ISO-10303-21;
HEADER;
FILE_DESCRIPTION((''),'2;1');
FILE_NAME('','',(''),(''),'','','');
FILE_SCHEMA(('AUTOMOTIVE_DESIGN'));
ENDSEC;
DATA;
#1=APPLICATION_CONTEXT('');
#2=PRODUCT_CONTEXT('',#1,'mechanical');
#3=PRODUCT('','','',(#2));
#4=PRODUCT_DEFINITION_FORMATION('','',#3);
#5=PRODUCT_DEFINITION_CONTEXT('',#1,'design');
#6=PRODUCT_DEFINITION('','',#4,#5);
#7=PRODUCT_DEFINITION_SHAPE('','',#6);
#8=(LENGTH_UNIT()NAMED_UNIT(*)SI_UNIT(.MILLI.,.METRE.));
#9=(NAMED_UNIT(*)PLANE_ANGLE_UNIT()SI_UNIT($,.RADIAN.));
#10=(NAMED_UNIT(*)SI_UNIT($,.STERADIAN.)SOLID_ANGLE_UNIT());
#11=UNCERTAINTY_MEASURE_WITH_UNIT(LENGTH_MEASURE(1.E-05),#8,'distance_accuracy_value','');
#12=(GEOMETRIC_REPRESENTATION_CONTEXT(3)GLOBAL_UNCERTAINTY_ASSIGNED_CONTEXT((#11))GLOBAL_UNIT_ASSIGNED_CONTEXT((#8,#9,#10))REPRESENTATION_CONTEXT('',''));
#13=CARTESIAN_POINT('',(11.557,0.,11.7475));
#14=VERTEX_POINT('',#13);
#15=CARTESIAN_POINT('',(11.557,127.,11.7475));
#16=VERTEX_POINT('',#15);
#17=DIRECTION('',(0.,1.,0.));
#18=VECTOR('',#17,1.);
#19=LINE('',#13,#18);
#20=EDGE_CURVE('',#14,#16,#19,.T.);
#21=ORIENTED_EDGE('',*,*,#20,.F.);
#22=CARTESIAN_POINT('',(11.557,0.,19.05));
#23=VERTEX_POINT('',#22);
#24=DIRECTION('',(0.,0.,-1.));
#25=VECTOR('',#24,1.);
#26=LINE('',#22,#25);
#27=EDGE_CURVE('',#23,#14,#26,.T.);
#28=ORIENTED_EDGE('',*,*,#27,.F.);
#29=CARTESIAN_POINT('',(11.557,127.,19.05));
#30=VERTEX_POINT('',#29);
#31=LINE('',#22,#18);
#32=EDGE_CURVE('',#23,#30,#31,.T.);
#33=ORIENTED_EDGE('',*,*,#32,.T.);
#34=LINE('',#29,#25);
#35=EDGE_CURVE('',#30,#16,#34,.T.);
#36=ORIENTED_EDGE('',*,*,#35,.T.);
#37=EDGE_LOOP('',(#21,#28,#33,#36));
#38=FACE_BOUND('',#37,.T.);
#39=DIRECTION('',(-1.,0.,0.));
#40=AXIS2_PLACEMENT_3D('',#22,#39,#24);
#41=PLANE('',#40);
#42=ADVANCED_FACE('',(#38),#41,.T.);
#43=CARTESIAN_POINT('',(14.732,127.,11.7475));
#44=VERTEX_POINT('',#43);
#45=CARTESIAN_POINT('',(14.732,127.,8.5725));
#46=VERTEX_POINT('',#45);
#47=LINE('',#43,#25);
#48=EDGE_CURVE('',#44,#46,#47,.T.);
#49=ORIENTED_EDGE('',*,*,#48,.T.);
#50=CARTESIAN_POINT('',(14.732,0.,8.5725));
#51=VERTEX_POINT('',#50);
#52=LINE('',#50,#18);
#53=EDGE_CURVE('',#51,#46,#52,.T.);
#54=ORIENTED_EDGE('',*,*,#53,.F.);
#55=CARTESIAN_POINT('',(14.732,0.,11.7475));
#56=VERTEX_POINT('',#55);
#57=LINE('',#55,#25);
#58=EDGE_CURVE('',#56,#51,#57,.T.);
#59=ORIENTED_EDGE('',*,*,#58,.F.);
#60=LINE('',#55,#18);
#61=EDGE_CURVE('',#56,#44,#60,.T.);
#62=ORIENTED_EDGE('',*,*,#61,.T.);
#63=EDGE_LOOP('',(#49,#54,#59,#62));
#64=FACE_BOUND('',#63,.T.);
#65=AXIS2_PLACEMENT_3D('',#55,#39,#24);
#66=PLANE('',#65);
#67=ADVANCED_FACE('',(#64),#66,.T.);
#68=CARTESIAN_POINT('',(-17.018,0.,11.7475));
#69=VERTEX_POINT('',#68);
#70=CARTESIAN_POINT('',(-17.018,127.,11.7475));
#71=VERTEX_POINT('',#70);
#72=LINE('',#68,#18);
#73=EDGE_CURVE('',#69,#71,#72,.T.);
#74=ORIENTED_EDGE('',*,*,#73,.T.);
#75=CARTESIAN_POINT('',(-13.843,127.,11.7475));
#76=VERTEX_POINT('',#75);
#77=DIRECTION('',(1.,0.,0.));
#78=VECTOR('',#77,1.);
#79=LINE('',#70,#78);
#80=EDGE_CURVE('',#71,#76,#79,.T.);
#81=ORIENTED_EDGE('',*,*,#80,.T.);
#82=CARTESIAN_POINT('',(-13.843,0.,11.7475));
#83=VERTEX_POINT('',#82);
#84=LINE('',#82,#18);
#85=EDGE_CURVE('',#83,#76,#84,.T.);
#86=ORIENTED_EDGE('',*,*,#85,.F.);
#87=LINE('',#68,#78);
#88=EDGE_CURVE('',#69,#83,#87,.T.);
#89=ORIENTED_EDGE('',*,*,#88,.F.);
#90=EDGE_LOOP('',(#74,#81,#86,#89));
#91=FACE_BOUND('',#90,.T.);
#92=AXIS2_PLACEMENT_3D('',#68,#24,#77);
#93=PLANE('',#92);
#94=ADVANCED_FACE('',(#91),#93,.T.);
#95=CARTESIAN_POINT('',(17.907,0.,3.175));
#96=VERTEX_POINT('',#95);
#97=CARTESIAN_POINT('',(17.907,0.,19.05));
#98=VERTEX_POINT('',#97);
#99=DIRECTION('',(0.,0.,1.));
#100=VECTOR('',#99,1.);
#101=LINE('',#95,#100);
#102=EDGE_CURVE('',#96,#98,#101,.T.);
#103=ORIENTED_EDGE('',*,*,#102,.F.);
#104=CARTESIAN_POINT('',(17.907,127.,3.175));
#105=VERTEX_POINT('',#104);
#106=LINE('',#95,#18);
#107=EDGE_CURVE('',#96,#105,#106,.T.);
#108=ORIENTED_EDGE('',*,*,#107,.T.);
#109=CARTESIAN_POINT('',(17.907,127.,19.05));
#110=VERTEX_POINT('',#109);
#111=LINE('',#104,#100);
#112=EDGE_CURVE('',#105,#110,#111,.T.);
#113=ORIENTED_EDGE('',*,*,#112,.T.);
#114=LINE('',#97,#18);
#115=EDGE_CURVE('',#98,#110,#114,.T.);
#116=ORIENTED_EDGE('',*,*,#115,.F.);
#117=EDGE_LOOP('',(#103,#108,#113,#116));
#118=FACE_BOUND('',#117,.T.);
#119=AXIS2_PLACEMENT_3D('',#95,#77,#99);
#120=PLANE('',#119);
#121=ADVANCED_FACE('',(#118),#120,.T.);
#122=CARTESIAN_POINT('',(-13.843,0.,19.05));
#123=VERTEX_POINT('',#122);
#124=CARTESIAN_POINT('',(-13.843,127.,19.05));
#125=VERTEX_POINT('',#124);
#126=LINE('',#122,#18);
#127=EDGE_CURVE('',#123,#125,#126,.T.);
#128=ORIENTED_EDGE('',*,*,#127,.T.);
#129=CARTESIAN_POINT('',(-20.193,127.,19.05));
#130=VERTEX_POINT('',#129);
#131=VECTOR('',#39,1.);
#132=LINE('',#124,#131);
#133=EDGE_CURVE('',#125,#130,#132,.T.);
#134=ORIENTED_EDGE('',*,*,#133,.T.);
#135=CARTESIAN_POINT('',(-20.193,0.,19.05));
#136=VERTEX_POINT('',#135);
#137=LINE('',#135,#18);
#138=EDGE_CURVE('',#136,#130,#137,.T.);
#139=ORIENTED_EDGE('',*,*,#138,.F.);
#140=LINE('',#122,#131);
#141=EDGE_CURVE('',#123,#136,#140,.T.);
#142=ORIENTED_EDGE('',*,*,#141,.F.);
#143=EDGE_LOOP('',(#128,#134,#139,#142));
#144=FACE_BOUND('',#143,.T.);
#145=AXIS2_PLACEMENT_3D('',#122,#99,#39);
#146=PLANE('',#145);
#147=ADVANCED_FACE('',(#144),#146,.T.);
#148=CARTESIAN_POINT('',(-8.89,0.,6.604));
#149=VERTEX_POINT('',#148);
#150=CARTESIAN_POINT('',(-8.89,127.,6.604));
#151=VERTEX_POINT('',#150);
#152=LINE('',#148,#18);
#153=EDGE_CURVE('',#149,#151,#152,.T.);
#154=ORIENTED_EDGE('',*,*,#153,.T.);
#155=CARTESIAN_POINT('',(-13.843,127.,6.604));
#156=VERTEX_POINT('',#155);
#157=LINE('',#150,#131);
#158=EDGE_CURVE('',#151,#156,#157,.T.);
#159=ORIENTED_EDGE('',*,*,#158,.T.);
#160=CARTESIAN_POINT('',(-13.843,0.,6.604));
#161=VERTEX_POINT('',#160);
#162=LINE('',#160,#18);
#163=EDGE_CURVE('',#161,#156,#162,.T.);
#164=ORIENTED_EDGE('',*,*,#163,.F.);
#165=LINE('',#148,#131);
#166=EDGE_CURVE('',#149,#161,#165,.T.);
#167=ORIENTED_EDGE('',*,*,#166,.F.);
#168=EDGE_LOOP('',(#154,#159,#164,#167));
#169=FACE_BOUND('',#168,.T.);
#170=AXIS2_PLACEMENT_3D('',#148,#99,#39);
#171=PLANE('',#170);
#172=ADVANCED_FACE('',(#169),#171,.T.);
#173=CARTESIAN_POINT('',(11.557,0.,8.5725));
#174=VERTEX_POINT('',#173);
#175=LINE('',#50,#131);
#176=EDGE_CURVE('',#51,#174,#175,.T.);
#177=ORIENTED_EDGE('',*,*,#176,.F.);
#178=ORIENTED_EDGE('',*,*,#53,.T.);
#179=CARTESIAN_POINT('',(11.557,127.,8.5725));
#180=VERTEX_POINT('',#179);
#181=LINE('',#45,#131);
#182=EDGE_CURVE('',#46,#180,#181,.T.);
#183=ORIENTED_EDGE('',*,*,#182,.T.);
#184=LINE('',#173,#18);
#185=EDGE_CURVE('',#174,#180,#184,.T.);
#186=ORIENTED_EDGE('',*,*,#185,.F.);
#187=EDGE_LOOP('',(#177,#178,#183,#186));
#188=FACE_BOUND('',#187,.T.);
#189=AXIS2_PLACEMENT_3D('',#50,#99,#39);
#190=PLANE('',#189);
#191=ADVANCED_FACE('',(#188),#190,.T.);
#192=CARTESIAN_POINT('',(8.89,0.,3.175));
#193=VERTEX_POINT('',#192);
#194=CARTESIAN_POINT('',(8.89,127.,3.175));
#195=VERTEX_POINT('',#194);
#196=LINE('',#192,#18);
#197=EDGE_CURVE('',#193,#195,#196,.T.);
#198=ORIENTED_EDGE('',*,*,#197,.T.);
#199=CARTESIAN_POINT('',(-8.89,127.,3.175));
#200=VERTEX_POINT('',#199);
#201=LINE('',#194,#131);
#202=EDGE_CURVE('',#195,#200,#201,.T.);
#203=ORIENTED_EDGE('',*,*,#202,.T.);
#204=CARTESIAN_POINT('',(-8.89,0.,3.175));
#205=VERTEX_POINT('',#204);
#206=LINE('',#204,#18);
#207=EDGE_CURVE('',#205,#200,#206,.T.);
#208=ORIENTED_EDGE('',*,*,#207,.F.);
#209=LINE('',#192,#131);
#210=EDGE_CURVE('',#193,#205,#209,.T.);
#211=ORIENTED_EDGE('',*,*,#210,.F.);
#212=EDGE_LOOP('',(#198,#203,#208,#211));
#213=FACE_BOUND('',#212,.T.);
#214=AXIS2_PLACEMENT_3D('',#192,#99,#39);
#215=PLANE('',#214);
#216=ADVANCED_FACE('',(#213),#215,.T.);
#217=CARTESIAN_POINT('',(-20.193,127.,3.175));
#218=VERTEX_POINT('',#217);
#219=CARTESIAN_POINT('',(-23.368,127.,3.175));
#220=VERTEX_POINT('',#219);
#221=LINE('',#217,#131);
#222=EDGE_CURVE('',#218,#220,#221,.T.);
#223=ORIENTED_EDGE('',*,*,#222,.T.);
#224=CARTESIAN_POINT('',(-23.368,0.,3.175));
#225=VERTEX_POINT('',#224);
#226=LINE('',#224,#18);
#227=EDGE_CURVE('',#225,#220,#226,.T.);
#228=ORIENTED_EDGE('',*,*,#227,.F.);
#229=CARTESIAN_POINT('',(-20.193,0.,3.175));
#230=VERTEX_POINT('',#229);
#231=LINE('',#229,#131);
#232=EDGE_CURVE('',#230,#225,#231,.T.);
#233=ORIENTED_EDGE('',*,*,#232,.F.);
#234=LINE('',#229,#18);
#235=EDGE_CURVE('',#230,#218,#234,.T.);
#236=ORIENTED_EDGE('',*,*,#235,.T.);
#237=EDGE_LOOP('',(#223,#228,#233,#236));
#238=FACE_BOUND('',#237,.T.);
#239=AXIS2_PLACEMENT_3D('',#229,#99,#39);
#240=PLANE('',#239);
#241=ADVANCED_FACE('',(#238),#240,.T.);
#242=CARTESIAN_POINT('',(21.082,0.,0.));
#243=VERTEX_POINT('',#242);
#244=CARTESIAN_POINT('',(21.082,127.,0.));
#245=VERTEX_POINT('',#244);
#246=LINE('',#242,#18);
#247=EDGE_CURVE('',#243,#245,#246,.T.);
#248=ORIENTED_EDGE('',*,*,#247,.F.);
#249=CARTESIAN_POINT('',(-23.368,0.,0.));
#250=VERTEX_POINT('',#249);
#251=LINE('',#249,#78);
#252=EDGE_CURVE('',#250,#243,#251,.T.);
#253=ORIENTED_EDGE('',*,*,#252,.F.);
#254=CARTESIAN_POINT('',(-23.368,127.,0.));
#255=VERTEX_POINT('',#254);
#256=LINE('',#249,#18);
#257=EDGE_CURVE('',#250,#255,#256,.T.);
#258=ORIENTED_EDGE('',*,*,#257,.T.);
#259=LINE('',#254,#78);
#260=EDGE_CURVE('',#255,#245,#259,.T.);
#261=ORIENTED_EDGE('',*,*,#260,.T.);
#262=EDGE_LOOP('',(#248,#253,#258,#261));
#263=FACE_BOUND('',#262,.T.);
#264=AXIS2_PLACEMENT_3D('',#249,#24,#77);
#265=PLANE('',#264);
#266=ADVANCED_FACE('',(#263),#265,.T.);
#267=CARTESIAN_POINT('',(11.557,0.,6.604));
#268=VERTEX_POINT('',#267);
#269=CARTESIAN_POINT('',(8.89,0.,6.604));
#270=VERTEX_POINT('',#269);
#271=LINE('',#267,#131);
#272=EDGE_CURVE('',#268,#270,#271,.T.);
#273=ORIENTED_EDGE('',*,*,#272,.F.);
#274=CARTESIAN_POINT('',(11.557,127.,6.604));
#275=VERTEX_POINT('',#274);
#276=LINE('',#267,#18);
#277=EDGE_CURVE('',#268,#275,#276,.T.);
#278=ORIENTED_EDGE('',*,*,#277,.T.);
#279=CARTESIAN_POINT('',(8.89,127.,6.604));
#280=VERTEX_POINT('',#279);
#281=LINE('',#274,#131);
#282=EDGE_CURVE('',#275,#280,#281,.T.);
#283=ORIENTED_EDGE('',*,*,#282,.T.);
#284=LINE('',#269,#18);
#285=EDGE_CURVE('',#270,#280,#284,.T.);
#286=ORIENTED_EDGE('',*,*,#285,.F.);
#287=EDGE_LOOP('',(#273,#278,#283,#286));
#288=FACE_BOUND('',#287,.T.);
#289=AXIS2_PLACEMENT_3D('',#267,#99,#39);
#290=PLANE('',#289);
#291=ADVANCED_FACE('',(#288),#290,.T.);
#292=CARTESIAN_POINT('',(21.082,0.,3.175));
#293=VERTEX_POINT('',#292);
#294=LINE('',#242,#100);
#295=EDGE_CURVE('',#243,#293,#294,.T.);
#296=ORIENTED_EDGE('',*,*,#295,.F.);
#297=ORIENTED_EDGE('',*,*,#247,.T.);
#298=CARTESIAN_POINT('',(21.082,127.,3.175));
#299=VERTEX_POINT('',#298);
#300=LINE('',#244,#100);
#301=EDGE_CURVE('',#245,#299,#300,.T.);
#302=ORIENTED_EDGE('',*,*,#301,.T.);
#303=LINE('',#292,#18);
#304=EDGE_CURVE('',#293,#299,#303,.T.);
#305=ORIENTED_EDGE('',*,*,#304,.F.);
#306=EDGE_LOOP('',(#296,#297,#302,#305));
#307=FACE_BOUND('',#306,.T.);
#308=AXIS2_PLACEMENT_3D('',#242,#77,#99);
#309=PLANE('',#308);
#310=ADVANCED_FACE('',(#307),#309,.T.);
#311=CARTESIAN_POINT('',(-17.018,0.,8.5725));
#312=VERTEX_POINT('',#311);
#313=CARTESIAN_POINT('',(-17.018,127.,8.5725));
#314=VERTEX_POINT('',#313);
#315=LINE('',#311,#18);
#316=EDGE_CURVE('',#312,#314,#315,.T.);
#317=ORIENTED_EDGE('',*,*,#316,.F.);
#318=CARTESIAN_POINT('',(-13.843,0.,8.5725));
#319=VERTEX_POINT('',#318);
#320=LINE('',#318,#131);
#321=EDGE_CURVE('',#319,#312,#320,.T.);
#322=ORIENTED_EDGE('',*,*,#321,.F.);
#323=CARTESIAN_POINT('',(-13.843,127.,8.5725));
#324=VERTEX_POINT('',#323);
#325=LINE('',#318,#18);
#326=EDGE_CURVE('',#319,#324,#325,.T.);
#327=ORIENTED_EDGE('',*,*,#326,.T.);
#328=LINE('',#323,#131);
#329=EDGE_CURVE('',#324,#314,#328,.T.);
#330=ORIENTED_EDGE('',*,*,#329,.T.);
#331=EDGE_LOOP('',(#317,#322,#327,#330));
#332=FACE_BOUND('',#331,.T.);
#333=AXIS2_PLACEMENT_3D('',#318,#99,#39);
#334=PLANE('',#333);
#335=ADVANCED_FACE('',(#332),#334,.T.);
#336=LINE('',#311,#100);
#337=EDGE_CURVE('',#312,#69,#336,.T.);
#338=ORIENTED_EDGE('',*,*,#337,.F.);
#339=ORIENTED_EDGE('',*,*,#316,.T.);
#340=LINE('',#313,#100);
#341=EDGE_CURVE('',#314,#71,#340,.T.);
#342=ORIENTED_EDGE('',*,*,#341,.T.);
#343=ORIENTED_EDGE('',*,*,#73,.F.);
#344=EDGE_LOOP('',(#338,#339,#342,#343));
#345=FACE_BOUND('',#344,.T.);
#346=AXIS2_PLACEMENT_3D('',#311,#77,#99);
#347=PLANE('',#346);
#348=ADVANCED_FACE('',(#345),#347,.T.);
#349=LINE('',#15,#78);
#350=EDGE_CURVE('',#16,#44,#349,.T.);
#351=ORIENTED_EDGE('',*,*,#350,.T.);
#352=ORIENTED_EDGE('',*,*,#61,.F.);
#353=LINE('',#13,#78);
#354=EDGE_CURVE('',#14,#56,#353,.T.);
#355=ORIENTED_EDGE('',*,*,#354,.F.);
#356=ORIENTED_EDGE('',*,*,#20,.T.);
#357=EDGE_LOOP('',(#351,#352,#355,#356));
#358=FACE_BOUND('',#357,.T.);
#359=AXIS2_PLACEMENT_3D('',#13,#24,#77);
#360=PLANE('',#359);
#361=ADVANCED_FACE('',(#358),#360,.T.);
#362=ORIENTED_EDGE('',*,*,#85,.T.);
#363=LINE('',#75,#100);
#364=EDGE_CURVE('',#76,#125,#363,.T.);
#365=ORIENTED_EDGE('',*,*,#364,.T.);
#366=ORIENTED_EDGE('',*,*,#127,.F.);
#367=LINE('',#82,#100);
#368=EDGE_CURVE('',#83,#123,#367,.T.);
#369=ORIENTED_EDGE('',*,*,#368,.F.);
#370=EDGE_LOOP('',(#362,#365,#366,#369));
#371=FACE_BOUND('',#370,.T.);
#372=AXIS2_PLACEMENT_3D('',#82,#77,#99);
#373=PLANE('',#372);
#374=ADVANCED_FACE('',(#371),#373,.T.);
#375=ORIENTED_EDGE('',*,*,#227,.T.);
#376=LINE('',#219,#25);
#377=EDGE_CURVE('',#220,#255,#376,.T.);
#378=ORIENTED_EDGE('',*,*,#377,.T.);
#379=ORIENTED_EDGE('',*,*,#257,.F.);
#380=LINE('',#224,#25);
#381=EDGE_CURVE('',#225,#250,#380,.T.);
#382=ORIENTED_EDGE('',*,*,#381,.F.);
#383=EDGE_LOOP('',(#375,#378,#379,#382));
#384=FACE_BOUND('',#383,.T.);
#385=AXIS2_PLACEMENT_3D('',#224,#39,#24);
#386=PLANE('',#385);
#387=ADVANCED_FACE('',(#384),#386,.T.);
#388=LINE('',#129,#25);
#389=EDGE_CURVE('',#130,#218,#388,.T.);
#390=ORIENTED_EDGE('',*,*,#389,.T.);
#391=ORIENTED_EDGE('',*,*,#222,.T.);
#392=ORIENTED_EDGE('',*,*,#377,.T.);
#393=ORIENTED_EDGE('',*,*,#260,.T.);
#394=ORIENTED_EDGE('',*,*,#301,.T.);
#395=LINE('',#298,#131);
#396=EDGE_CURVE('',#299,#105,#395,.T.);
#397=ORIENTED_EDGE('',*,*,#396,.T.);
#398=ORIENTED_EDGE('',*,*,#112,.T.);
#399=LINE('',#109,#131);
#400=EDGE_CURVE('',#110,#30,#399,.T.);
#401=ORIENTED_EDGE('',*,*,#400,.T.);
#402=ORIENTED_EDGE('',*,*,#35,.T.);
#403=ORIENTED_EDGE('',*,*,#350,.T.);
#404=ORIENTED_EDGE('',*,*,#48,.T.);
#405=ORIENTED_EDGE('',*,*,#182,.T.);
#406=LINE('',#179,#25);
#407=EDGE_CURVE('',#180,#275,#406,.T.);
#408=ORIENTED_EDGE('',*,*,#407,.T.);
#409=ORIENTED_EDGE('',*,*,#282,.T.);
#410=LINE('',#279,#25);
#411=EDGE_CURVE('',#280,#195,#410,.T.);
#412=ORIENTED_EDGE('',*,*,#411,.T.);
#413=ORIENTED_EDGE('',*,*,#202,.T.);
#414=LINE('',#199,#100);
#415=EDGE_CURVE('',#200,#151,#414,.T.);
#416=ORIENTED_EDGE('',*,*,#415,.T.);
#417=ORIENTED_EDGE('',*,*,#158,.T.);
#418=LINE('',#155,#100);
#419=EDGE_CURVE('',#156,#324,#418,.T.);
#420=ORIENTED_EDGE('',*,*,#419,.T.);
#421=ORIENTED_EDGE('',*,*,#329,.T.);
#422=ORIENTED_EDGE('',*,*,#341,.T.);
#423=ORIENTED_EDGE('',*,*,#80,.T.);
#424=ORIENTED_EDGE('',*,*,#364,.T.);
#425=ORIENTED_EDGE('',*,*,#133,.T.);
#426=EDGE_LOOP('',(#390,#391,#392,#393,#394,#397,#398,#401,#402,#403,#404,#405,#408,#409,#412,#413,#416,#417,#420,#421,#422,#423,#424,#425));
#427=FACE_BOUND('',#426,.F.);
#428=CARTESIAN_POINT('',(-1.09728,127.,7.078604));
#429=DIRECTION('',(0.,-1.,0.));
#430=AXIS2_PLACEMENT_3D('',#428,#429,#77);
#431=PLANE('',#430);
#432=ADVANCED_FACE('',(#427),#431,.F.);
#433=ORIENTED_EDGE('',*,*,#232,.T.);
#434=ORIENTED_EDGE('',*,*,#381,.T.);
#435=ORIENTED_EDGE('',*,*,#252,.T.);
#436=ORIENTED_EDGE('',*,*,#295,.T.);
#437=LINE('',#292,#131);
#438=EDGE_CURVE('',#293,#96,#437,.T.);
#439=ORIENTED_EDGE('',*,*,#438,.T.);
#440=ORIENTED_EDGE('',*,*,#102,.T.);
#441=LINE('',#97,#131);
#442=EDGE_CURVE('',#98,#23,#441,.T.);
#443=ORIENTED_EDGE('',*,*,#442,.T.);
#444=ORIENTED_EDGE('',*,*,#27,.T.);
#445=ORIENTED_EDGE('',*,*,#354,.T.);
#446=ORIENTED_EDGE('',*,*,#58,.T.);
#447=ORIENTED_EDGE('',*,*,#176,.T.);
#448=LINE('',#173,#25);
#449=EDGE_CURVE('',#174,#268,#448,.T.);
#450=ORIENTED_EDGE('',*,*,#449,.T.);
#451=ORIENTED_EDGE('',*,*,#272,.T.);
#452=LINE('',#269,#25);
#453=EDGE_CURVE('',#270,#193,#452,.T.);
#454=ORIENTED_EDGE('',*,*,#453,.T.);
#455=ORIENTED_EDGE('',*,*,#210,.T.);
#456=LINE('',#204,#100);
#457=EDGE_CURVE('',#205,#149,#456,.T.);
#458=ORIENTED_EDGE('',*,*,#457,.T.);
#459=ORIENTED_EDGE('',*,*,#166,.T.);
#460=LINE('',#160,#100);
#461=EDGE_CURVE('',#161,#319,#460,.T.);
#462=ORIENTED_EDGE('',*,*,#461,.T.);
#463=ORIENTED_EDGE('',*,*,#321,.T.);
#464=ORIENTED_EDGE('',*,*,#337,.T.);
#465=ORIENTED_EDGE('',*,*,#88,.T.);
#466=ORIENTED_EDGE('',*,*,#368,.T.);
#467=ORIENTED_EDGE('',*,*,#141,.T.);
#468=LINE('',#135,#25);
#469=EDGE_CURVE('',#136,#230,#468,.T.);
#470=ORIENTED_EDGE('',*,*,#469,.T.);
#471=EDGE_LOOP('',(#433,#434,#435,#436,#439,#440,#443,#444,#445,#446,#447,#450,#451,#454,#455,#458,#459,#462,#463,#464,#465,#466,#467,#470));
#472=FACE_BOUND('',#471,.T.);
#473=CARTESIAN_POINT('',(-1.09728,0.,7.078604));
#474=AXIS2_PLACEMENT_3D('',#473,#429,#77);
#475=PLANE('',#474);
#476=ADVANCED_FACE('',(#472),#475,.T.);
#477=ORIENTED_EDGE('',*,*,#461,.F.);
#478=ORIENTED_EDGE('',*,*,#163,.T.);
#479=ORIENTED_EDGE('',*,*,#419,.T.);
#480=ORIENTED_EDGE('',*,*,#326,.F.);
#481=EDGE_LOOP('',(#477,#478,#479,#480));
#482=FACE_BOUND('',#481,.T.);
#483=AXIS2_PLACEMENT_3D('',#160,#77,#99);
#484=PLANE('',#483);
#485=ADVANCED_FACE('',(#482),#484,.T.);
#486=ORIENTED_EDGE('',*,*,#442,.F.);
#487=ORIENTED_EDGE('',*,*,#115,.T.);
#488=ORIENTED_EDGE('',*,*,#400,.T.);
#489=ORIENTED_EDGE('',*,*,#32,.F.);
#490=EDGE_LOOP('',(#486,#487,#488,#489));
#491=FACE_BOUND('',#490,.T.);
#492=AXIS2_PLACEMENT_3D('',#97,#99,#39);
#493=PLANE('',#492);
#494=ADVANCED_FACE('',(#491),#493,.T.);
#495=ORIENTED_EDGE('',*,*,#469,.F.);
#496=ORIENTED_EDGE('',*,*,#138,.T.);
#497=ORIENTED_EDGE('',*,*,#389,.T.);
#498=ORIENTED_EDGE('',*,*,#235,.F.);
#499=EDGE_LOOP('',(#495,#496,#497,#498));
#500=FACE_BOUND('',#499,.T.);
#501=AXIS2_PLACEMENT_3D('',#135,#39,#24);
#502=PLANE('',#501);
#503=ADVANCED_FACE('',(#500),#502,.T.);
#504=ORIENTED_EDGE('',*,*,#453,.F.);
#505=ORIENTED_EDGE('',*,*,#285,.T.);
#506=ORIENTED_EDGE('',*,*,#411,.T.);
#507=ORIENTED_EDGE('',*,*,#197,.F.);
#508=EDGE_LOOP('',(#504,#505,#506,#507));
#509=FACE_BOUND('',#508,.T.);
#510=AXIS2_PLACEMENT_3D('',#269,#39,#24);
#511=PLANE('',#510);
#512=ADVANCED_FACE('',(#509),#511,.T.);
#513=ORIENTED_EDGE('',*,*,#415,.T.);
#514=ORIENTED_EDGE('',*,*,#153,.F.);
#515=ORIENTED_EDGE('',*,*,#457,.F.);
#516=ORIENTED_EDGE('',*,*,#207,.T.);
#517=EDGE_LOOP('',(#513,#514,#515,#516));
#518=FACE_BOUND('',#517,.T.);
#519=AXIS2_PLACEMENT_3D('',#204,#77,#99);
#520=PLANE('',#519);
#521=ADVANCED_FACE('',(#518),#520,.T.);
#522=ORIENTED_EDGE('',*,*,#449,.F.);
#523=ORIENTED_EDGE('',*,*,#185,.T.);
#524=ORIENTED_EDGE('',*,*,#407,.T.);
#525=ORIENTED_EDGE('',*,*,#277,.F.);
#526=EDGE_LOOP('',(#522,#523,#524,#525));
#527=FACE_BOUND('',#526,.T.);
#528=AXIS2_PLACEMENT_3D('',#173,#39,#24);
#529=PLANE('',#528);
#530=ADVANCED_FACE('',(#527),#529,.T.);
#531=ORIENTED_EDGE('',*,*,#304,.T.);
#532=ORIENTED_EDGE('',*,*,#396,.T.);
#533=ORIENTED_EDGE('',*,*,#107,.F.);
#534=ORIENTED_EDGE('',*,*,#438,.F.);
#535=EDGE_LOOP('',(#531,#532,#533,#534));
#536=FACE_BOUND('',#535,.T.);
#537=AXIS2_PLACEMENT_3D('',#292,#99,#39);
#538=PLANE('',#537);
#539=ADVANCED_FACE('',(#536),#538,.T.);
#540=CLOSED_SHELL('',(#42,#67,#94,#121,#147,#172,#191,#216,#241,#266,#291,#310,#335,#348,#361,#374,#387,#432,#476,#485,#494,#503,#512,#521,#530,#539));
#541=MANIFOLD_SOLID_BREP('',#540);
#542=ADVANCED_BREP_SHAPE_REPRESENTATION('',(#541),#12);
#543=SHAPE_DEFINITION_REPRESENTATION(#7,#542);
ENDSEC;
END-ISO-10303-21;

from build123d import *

# Parameters (mm, degrees)
F1_DEPTH = 127


with BuildPart() as f1:
    # F0 (on Front) → F1 (new body)
    with BuildSketch(Plane.XZ):
        Polygon((-23.368, 0), (17.907, 0), (21.082, 0), (21.082, 3.175), (17.907, 3.175), (17.907, 19.05), (11.557, 19.05), (11.557, 11.7475), (14.732, 11.7475), (14.732, 8.5725), (11.557, 8.5725), (11.557, 6.604), (8.89, 6.604), (8.89, 3.175), (-8.89, 3.175), (-8.89, 6.604), (-13.843, 6.604), (-13.843, 8.5725), (-17.018, 8.5725), (-17.018, 11.7475), (-13.843, 11.7475), (-13.843, 19.05), (-20.193, 19.05), (-20.193, 3.175), (-23.368, 3.175), align=None)
    extrude(amount=-F1_DEPTH)


solid = f1.part
